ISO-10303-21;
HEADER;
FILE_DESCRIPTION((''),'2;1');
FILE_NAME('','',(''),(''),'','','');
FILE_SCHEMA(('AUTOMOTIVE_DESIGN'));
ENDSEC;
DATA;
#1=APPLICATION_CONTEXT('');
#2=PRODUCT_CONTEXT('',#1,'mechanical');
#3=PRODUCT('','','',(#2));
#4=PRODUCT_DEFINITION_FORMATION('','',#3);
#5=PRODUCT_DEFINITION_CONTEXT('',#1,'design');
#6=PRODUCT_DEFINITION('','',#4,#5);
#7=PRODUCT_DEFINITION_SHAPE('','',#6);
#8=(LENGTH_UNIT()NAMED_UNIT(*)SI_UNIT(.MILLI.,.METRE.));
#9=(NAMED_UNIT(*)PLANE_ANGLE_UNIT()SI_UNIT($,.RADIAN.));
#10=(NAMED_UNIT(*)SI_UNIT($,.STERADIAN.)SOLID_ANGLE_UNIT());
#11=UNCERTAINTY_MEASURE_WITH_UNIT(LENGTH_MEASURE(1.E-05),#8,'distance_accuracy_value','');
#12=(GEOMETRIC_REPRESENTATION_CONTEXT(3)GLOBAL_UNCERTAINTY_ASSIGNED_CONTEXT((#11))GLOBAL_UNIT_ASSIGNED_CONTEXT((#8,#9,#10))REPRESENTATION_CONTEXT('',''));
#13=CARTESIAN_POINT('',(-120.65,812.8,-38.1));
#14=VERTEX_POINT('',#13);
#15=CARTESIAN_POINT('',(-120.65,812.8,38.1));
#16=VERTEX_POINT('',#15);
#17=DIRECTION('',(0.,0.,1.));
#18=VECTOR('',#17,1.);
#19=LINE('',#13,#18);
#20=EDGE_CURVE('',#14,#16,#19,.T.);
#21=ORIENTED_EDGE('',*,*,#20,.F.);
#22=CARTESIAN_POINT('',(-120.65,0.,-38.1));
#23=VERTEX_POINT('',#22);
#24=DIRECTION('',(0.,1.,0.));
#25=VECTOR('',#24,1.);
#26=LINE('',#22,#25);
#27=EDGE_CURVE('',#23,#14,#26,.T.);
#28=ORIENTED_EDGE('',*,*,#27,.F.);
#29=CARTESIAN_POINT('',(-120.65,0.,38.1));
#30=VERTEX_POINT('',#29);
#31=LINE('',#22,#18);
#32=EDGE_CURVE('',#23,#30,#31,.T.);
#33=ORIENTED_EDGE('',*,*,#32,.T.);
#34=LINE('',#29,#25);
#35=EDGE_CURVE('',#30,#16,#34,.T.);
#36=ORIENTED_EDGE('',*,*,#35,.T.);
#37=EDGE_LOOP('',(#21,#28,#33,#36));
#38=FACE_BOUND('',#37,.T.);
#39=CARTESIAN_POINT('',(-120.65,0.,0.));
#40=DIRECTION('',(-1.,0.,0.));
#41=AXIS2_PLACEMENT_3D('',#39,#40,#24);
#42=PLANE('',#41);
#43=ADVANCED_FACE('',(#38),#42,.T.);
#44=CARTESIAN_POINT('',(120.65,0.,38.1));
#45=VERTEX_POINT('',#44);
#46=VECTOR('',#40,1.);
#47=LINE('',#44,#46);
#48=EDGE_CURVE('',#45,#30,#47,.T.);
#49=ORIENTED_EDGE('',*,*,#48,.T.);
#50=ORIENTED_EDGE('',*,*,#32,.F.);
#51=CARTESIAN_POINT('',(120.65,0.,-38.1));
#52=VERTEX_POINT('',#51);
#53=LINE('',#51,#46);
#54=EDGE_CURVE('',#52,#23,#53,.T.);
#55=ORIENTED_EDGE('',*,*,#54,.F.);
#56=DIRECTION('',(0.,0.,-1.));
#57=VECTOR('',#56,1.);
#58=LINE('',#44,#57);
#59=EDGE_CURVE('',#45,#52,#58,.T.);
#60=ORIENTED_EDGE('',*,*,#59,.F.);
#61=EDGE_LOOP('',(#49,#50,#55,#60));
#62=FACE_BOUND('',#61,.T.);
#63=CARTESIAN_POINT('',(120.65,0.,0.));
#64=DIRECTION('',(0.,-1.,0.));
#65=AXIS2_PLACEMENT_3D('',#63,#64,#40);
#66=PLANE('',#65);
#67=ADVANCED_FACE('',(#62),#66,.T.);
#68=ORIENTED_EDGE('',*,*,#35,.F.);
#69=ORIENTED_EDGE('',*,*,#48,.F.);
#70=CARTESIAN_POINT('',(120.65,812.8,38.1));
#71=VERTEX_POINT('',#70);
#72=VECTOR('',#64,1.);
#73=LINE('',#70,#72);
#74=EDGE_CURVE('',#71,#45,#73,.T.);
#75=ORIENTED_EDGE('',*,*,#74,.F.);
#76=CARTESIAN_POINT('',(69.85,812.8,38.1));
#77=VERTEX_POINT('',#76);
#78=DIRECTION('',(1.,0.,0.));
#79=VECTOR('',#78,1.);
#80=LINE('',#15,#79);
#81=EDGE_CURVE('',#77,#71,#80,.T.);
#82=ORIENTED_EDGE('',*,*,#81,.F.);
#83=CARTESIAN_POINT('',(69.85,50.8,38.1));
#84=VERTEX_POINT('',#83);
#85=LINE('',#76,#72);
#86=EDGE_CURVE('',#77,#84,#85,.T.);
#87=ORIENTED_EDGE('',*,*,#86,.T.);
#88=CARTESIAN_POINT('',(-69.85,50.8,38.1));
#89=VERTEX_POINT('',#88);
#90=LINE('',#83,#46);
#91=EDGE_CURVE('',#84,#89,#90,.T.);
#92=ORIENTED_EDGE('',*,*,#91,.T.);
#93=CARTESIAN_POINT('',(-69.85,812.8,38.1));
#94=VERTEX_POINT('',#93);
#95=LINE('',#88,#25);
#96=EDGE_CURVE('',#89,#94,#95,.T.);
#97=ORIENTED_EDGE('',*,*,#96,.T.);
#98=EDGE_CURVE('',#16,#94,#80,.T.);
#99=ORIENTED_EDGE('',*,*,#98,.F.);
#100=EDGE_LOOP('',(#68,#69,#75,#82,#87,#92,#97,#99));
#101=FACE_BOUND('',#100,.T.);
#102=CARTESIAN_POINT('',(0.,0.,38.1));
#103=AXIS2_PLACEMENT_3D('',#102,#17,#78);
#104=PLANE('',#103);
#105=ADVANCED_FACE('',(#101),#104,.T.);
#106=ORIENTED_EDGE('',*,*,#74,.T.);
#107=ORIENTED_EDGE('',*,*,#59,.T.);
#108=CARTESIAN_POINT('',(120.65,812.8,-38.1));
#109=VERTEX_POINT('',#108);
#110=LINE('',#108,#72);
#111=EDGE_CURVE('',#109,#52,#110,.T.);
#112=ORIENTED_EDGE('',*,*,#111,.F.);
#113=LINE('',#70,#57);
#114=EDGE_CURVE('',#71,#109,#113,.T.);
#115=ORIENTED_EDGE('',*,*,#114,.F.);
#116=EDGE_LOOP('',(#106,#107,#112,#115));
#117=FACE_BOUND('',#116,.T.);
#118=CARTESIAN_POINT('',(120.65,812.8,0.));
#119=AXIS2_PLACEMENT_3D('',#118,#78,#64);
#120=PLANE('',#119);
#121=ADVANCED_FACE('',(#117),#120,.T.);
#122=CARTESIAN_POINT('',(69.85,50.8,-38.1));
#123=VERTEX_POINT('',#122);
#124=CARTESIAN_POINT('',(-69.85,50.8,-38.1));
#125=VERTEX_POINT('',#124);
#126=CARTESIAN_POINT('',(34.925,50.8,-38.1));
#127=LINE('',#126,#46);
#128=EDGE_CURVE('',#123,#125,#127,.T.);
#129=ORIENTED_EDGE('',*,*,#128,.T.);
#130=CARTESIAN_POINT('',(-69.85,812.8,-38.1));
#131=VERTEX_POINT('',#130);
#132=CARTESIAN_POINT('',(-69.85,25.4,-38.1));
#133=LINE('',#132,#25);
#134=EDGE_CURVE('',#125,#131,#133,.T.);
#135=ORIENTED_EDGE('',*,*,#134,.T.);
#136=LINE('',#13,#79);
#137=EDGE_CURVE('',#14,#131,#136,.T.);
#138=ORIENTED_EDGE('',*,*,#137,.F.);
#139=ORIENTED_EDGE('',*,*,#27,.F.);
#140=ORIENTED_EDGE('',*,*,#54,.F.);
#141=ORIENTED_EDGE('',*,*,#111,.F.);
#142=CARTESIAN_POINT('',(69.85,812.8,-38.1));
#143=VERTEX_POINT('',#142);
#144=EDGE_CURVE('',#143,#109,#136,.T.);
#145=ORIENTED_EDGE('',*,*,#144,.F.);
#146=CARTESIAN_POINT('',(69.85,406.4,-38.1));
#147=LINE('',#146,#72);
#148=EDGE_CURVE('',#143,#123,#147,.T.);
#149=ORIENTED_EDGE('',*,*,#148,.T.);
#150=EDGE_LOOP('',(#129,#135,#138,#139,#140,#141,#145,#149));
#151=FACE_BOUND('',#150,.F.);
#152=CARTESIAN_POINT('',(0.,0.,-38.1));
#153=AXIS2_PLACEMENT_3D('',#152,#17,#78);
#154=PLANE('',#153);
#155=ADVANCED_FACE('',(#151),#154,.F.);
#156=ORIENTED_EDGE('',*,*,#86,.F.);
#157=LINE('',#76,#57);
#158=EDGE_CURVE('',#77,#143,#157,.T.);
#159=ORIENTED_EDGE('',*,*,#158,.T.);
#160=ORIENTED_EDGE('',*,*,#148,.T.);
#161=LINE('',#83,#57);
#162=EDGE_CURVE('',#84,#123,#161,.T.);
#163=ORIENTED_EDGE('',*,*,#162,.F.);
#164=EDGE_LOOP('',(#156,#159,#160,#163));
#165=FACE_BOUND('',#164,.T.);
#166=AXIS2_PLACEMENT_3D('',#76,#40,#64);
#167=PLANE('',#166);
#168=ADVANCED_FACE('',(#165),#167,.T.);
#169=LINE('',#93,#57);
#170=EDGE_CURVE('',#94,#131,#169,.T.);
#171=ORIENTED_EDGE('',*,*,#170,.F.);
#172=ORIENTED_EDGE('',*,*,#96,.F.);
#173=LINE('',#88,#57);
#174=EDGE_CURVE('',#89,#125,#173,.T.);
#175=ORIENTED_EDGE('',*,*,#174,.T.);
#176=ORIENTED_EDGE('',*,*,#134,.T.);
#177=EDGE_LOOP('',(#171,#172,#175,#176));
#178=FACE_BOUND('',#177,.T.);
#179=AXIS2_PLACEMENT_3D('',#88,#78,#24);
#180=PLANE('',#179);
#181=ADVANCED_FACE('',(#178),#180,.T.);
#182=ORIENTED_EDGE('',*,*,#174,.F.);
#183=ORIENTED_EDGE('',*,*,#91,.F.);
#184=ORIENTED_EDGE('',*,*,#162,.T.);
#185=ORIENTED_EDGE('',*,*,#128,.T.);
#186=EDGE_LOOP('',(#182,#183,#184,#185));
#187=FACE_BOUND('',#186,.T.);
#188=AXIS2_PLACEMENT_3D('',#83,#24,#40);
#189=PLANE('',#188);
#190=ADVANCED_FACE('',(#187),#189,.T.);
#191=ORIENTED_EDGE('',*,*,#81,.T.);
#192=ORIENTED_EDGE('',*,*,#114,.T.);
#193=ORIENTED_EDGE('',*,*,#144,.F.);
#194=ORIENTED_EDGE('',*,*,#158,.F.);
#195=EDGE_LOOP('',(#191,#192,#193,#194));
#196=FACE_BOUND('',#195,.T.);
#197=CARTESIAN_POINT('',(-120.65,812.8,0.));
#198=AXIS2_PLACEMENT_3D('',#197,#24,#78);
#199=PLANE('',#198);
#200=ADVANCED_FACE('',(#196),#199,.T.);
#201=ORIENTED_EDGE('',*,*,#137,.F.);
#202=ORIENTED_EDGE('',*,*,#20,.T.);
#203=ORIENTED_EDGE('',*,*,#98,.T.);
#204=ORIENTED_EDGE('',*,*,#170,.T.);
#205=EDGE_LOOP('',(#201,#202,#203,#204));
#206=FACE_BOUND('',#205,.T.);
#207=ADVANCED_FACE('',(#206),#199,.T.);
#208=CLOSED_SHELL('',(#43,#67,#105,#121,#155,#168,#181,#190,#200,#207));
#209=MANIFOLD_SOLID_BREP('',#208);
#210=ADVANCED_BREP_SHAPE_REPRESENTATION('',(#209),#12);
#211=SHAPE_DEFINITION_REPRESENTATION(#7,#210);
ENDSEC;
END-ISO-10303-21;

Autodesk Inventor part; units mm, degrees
ref_plane "YZ Plane" through (0, 0, 0) normal (1, 0, 0) x (0, 1, 0)
ref_plane "XZ Plane" through (0, 0, 0) normal (0, 1, 0) x (-1, 0, 0)
ref_plane "XY Plane" through (0, 0, 0) normal (0, 0, 1) x (1, 0, 0)
sketch "Sketch1" plane through (0, 0, 0) normal (0, 0, 1) x (1, 0, 0)
  line L0 (-120.65, 812.8) -> (120.65, 812.8)
  line L1 (120.65, 812.8) -> (120.65, 0)
  line L2 (120.65, 0) -> (-120.65, 0)
  line L3 (-120.65, 0) -> (-120.65, 812.8)
  point P0 (0, 0)
  point P1 (0, 0)
  dimension "d0" = 241.3
  dimension "d1" = 812.8
extrude "Extrusion1" add sketch "Sketch1" along normal mid plane 76.2
sketch "Sketch2" plane through (0, 0, 38.1) normal (0, 0, 1) x (1, 0, 0)
  line L0 (-120.65, 0) -> (-120.65, 812.8) construction
  line L1 (-120.65, 812.8) -> (120.65, 812.8) construction
  line L2 (120.65, 812.8) -> (120.65, 0) construction
  line L3 (120.65, 0) -> (-120.65, 0) construction
  line L4 (-69.85, 812.8) -> (69.85, 812.8)
  line L5 (69.85, 812.8) -> (69.85, 50.8)
  line L6 (69.85, 50.8) -> (-69.85, 50.8)
  line L7 (-69.85, 50.8) -> (-69.85, 812.8)
  point P0 (0, 0)
  dimension "d4" = 50.8
  dimension "d5" = 50.8
  dimension "d6" = 50.8
extrude "Extrusion2" cut sketch "Sketch2" against normal through all
equation "\"d6\" = d5"
properties part number "MU-006 elevator2" material "Aluminum 6061"
